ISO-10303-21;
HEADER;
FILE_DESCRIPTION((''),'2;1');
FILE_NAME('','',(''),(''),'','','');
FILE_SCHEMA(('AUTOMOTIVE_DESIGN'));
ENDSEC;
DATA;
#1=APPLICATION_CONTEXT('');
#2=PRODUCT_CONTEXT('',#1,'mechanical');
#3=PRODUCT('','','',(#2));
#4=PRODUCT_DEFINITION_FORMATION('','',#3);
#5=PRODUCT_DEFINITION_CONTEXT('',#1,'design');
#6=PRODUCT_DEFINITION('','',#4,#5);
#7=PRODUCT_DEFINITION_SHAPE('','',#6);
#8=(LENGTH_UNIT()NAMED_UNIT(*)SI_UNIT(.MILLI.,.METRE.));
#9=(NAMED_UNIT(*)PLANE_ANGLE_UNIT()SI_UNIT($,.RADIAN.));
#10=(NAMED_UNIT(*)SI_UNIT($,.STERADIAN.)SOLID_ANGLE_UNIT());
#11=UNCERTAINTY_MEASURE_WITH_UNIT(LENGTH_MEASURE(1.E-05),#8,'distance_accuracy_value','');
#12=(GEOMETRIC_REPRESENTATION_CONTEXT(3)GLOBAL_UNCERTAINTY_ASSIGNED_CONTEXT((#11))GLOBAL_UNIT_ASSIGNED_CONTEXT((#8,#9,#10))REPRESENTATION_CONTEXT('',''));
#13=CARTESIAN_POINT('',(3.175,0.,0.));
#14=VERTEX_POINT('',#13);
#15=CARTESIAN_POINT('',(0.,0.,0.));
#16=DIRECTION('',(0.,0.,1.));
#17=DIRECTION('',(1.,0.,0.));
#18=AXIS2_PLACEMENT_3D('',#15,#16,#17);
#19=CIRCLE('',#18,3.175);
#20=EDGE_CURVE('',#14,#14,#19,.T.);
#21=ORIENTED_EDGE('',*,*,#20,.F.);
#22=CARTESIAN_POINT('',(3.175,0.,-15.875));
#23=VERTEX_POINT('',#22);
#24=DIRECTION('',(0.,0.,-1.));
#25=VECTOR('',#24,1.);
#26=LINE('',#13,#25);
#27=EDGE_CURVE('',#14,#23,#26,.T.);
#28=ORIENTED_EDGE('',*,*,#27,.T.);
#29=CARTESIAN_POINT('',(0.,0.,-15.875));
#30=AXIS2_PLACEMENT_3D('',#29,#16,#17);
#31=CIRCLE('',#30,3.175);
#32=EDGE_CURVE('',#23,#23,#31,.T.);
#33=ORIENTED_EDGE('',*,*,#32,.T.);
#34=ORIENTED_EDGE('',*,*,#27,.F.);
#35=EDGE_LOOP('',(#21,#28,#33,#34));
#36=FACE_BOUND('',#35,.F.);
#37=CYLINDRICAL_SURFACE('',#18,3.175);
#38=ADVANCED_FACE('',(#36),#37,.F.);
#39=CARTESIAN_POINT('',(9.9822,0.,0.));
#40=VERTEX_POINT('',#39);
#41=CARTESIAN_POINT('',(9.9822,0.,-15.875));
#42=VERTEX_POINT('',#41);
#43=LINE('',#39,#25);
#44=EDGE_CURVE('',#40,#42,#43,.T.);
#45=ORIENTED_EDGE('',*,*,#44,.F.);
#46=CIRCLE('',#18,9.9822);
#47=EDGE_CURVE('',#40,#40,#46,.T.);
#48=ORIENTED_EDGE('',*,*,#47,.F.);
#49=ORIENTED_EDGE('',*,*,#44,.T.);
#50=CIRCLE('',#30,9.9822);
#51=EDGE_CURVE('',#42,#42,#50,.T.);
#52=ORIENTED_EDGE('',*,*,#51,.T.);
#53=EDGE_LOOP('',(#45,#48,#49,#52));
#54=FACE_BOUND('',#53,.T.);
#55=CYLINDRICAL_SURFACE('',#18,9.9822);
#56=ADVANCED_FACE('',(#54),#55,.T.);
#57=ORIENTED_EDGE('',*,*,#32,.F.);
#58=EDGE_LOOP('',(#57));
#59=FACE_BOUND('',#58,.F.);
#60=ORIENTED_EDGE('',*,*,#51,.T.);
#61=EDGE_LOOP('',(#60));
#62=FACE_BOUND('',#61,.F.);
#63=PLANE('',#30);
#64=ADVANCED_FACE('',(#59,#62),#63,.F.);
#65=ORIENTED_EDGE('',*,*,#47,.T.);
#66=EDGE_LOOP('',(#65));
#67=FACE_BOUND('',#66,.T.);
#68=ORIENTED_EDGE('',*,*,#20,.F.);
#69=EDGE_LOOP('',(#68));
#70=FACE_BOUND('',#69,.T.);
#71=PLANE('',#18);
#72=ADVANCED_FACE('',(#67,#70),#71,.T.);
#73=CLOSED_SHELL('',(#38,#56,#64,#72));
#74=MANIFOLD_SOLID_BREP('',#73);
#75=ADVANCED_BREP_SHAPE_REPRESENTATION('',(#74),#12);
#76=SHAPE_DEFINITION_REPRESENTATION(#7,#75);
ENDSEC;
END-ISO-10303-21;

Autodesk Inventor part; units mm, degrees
ref_plane "YZ Plane" through (0, 0, 0) normal (1, 0, 0) x (0, 1, 0)
ref_plane "XZ Plane" through (0, 0, 0) normal (0, 1, 0) x (-1, 0, 0)
ref_plane "XY Plane" through (0, 0, 0) normal (0, 0, 1) x (1, 0, 0)
sketch "Sketch1" plane through (0, 0, 0) normal (0, 0, 1) x (1, 0, 0)
  circle A0 centre (0, 0) radius 11 construction
  circle A1 centre (0, 0) radius 9.9822
  dimension "d5" = 22
  dimension "d6" = 19.9644
extrude "Extrusion1" add sketch "Sketch1" against normal blind 15.875
sketch "Sketch2" plane through (0, 0, 0) normal (0, 0, 1) x (1, 0, 0)
  circle A0 centre (0, 0) radius 11 projected
  circle A1 centre (0, 0) radius 3.175
  dimension "d2" = 6.35
extrude "Extrusion2" cut sketch "Sketch2" against normal through all contours A1
properties part number "rotatingSupportShaft_RB01" material "Wood (Birch)"
